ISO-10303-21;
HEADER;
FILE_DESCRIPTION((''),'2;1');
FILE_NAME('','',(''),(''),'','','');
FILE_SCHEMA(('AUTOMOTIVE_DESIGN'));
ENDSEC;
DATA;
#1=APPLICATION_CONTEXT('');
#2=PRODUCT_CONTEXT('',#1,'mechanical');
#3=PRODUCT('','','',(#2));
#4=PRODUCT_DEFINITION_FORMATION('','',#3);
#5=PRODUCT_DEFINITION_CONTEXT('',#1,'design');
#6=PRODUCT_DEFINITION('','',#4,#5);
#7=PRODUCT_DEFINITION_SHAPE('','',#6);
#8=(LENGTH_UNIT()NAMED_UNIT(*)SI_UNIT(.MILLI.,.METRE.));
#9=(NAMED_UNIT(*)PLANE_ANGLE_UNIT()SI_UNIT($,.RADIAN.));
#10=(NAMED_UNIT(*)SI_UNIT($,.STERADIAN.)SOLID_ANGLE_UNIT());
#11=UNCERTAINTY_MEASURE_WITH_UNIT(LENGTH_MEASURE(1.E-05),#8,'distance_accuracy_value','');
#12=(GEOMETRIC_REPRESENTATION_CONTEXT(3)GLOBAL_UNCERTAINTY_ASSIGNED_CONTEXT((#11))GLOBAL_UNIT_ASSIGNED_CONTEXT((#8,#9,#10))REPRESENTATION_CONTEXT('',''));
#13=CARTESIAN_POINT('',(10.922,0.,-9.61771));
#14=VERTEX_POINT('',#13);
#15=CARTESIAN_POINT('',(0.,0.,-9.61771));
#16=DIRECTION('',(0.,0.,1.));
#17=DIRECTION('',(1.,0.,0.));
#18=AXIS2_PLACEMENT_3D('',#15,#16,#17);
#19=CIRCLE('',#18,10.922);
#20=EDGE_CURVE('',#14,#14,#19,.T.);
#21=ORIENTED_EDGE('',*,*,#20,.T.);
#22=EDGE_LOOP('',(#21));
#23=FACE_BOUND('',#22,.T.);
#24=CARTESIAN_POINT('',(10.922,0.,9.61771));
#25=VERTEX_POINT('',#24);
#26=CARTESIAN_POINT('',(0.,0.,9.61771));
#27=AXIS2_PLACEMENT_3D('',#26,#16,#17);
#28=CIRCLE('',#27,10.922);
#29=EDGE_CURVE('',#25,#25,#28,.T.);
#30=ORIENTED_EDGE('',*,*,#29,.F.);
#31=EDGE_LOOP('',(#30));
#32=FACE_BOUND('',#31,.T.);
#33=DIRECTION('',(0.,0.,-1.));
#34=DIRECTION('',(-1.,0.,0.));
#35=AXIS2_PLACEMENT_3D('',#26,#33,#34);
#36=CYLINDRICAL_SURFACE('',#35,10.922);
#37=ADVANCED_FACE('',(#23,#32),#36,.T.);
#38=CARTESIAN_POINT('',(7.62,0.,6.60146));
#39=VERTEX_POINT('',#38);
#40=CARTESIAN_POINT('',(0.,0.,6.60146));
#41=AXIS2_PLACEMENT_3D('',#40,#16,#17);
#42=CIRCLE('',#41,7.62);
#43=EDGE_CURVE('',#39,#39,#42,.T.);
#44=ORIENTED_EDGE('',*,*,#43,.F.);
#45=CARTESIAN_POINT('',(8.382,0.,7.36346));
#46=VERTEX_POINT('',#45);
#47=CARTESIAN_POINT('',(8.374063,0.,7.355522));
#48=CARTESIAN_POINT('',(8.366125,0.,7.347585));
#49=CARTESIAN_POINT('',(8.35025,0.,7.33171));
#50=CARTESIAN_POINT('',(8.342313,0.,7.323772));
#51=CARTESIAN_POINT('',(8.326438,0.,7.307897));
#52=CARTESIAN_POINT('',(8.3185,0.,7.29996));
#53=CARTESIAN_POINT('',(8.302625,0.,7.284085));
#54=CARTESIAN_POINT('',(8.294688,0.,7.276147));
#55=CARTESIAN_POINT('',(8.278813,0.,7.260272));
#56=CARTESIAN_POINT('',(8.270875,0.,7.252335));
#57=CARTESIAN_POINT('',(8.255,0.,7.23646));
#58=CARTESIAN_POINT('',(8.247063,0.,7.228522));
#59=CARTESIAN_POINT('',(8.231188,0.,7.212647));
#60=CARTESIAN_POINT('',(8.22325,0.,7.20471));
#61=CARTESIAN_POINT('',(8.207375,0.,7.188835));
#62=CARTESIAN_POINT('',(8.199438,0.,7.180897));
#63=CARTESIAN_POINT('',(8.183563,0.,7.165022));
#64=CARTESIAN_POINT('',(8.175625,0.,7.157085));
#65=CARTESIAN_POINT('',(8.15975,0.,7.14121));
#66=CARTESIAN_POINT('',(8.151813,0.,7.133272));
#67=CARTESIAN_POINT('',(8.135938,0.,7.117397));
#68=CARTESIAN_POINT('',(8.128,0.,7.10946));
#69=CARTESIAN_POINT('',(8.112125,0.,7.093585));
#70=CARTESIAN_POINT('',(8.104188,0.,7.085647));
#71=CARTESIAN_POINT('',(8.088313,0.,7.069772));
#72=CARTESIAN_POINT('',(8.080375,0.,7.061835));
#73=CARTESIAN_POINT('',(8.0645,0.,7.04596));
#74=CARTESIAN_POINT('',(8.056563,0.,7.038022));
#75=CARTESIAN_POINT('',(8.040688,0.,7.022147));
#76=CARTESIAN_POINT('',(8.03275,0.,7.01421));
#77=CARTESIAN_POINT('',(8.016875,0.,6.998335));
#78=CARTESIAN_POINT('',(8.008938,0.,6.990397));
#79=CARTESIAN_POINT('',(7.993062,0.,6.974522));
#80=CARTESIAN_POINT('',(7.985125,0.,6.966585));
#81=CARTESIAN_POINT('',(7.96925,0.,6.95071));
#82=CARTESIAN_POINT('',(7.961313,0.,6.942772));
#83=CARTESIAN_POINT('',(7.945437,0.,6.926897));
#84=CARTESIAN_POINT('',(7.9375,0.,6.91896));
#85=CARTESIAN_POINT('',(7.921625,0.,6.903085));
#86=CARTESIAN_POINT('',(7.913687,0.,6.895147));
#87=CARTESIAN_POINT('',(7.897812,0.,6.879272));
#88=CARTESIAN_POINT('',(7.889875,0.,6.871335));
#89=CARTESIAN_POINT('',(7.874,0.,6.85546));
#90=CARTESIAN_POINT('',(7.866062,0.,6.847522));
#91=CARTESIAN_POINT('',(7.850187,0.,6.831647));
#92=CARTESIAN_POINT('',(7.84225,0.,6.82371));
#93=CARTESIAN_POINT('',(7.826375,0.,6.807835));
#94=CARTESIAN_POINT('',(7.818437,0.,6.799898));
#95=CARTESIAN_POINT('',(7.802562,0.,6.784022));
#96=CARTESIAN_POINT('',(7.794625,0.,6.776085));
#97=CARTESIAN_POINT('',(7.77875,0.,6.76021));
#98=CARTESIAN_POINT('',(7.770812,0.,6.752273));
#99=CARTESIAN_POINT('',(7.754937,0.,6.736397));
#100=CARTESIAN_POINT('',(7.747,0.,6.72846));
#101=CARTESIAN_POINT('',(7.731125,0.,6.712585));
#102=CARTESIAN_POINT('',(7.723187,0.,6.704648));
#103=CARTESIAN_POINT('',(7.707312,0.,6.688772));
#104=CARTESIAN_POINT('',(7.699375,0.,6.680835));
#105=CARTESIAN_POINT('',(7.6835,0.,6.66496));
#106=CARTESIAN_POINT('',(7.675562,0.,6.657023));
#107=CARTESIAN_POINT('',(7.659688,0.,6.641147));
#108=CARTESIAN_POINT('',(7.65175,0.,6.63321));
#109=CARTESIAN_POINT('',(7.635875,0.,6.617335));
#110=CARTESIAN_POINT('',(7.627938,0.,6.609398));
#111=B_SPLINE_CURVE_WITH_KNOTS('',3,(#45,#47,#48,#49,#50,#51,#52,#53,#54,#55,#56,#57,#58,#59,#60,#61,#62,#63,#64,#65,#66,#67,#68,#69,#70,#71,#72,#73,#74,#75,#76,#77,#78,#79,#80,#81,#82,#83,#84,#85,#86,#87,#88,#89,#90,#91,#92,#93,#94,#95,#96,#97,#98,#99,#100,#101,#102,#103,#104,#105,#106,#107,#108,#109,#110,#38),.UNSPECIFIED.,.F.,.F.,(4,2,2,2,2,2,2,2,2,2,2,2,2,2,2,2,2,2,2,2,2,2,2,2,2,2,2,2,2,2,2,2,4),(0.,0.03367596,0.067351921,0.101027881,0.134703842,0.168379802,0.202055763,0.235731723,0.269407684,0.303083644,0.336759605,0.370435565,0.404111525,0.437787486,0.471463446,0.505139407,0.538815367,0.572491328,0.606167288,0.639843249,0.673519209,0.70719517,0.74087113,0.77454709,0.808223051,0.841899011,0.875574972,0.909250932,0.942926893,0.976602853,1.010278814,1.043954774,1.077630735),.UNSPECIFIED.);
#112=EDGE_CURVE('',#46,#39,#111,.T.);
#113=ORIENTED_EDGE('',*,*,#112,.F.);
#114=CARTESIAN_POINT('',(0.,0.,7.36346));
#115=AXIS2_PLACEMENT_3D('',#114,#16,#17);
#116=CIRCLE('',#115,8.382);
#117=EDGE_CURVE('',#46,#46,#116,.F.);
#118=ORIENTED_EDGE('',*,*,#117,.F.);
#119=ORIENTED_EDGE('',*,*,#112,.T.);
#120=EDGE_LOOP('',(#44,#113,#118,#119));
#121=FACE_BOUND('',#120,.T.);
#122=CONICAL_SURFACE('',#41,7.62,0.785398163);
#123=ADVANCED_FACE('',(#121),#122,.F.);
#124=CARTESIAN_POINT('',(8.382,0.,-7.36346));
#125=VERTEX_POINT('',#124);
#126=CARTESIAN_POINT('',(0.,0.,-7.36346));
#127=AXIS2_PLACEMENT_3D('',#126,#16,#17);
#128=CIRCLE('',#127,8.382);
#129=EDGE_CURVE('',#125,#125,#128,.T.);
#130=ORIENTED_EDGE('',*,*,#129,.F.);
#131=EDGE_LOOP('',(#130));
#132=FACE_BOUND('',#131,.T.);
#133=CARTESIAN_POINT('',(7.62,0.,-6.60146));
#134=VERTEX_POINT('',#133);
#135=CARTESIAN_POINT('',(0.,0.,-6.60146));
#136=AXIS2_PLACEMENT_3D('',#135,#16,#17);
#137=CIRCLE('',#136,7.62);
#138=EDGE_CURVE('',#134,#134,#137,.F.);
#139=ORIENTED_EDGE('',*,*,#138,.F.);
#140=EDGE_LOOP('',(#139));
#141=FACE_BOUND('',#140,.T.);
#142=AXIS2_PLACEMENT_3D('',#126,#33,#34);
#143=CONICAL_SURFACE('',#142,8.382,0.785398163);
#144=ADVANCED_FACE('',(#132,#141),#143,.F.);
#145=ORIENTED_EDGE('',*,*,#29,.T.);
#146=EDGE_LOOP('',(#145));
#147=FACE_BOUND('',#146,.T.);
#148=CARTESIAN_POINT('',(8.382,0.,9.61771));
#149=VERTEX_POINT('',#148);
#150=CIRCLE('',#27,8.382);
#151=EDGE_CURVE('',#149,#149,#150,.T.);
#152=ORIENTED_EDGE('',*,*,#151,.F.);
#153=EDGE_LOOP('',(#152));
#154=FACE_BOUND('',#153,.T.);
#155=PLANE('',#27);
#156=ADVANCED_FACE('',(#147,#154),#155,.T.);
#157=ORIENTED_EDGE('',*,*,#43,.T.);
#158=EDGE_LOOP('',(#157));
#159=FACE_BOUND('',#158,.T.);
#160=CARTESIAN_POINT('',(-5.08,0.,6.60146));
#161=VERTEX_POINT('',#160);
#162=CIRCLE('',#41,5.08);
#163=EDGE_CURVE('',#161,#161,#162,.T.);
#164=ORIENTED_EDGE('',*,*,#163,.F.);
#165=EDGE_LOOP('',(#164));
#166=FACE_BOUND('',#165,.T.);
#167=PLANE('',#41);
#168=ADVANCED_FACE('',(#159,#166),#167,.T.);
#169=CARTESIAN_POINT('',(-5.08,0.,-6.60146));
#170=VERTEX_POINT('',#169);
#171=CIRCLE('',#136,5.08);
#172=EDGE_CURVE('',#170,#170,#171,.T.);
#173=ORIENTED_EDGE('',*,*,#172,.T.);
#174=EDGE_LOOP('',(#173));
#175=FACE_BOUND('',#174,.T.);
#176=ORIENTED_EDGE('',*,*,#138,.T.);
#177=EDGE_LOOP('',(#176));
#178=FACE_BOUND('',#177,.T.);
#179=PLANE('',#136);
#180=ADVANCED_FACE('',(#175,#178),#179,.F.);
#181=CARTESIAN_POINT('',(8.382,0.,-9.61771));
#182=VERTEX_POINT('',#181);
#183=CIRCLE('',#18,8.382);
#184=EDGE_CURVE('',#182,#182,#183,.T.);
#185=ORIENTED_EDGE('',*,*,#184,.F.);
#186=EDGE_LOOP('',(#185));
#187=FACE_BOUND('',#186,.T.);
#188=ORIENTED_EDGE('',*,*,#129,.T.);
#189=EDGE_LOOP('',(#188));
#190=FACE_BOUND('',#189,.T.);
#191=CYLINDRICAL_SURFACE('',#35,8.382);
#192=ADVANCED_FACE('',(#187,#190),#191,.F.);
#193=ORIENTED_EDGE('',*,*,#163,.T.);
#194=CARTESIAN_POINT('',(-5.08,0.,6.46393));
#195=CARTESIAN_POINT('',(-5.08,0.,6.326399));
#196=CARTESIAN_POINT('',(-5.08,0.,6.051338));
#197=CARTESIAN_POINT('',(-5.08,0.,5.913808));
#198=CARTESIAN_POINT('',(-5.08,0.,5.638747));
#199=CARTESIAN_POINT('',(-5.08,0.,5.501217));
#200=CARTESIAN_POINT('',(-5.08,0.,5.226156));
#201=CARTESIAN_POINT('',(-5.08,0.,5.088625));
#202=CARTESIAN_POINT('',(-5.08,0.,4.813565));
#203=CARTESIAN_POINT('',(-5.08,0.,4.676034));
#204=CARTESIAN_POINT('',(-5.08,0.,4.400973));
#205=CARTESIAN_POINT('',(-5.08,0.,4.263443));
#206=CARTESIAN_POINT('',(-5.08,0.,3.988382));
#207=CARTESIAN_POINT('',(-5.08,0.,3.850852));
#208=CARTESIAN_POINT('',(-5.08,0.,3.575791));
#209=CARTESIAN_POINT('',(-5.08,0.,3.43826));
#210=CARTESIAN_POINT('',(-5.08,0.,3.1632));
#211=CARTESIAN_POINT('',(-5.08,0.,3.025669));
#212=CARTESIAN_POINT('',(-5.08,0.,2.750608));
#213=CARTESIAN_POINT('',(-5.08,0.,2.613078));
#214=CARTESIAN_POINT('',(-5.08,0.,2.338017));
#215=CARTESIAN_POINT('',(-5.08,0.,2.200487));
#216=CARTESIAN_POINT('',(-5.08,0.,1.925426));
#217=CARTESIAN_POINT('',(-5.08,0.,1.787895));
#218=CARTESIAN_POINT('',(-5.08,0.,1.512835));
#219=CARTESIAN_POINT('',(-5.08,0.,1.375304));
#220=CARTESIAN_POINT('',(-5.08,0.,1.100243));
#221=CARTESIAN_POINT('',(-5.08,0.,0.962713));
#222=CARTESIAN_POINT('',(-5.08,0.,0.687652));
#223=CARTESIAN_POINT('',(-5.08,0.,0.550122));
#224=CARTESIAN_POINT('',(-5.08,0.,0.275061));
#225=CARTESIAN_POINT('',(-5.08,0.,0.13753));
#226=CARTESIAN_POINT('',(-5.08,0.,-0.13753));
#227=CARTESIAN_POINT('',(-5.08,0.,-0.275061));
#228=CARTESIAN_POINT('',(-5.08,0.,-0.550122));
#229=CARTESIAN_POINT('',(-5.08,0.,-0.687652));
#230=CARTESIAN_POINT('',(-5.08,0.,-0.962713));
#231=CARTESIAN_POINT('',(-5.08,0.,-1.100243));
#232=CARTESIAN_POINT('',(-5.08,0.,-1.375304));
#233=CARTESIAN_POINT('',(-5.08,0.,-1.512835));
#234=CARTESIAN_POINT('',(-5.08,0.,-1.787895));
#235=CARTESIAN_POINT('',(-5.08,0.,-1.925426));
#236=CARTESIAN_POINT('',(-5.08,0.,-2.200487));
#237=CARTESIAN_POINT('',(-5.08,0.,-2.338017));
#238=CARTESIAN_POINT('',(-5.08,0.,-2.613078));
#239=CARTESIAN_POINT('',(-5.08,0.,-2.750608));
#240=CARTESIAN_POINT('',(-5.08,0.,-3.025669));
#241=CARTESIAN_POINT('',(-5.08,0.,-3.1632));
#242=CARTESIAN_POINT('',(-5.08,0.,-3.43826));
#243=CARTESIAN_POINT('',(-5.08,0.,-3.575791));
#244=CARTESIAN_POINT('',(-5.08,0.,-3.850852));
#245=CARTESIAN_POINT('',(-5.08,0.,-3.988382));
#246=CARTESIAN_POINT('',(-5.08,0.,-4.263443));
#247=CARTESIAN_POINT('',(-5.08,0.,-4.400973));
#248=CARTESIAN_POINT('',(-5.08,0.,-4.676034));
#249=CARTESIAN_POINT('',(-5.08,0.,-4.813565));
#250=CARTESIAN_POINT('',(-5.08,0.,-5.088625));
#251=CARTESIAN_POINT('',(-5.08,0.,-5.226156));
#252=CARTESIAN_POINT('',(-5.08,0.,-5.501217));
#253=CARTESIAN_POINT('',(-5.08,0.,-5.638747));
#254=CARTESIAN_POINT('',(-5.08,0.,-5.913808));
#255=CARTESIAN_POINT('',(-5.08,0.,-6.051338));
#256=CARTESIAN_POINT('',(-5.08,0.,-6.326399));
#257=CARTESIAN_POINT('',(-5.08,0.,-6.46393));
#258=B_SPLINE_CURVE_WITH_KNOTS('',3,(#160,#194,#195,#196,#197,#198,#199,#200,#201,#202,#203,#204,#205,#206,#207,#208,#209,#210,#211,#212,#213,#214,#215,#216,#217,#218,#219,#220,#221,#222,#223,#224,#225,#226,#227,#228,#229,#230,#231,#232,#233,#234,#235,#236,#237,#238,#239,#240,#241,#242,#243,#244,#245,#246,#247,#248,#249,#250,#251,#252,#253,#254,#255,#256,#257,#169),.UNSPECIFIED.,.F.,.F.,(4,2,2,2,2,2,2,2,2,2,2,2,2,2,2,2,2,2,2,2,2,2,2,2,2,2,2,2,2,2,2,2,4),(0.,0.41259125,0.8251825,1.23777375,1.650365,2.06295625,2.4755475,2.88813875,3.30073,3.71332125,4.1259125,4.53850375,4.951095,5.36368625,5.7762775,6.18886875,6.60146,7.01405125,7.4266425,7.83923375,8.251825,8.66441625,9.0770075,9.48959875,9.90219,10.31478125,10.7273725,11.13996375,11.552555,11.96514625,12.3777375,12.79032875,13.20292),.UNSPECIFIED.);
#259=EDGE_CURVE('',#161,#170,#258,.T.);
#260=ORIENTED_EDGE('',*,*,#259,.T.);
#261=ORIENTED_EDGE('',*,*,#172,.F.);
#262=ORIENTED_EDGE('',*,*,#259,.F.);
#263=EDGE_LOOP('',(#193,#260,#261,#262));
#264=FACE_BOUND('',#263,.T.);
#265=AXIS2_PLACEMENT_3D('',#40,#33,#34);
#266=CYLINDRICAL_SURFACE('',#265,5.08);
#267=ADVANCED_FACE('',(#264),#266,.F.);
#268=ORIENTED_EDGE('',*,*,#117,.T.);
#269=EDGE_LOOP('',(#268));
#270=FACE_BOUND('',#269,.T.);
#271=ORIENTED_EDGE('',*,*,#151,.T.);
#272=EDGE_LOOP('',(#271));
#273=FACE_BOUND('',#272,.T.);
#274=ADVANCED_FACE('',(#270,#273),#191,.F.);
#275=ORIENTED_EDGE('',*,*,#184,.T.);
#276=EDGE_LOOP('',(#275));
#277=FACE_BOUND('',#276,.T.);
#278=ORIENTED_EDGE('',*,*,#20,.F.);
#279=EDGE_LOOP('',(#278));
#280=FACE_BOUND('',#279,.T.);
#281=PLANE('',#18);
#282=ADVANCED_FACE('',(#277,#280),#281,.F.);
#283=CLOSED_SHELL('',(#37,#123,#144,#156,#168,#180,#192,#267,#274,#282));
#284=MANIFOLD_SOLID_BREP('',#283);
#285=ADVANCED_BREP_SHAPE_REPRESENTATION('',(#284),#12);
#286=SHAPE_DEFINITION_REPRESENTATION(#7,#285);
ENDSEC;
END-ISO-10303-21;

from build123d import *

# Parameters (mm, degrees)
SKETCH1_R           = 10.922
SKETCH1_R_2         = 8.382
BOSS_EXTRUDE1_DEPTH = 9.61771
SKETCH1_3_R         = 8.382
SKETCH1_3_R_2       = 5.08
BOSS_EXTRUDE2_DEPTH = 6.60146
CHAMFER1_SIZE       = 0.762


with BuildPart() as part:
    # Sketch1 → Boss-Extrude1 (new, symmetric)
    with BuildSketch(Plane.XY):
        Circle(SKETCH1_R)
        Circle(SKETCH1_R_2, mode=Mode.SUBTRACT)
    extrude(amount=BOSS_EXTRUDE1_DEPTH, both=True)

    # Sketch1<3> → Boss-Extrude2 (add, symmetric)
    with BuildSketch(Plane.XY):
        Circle(SKETCH1_3_R)
        Circle(SKETCH1_3_R_2, mode=Mode.SUBTRACT)
    extrude(amount=BOSS_EXTRUDE2_DEPTH, both=True)

    # Chamfer1
    chamfer1_edges = [part.edges().sort_by_distance(p)[0] for p in [
        (-8.382, 0, -6.60146),
        (-8.382, 0, 6.60146),
    ]]
    chamfer(chamfer1_edges, length=CHAMFER1_SIZE)


solid = part.part
